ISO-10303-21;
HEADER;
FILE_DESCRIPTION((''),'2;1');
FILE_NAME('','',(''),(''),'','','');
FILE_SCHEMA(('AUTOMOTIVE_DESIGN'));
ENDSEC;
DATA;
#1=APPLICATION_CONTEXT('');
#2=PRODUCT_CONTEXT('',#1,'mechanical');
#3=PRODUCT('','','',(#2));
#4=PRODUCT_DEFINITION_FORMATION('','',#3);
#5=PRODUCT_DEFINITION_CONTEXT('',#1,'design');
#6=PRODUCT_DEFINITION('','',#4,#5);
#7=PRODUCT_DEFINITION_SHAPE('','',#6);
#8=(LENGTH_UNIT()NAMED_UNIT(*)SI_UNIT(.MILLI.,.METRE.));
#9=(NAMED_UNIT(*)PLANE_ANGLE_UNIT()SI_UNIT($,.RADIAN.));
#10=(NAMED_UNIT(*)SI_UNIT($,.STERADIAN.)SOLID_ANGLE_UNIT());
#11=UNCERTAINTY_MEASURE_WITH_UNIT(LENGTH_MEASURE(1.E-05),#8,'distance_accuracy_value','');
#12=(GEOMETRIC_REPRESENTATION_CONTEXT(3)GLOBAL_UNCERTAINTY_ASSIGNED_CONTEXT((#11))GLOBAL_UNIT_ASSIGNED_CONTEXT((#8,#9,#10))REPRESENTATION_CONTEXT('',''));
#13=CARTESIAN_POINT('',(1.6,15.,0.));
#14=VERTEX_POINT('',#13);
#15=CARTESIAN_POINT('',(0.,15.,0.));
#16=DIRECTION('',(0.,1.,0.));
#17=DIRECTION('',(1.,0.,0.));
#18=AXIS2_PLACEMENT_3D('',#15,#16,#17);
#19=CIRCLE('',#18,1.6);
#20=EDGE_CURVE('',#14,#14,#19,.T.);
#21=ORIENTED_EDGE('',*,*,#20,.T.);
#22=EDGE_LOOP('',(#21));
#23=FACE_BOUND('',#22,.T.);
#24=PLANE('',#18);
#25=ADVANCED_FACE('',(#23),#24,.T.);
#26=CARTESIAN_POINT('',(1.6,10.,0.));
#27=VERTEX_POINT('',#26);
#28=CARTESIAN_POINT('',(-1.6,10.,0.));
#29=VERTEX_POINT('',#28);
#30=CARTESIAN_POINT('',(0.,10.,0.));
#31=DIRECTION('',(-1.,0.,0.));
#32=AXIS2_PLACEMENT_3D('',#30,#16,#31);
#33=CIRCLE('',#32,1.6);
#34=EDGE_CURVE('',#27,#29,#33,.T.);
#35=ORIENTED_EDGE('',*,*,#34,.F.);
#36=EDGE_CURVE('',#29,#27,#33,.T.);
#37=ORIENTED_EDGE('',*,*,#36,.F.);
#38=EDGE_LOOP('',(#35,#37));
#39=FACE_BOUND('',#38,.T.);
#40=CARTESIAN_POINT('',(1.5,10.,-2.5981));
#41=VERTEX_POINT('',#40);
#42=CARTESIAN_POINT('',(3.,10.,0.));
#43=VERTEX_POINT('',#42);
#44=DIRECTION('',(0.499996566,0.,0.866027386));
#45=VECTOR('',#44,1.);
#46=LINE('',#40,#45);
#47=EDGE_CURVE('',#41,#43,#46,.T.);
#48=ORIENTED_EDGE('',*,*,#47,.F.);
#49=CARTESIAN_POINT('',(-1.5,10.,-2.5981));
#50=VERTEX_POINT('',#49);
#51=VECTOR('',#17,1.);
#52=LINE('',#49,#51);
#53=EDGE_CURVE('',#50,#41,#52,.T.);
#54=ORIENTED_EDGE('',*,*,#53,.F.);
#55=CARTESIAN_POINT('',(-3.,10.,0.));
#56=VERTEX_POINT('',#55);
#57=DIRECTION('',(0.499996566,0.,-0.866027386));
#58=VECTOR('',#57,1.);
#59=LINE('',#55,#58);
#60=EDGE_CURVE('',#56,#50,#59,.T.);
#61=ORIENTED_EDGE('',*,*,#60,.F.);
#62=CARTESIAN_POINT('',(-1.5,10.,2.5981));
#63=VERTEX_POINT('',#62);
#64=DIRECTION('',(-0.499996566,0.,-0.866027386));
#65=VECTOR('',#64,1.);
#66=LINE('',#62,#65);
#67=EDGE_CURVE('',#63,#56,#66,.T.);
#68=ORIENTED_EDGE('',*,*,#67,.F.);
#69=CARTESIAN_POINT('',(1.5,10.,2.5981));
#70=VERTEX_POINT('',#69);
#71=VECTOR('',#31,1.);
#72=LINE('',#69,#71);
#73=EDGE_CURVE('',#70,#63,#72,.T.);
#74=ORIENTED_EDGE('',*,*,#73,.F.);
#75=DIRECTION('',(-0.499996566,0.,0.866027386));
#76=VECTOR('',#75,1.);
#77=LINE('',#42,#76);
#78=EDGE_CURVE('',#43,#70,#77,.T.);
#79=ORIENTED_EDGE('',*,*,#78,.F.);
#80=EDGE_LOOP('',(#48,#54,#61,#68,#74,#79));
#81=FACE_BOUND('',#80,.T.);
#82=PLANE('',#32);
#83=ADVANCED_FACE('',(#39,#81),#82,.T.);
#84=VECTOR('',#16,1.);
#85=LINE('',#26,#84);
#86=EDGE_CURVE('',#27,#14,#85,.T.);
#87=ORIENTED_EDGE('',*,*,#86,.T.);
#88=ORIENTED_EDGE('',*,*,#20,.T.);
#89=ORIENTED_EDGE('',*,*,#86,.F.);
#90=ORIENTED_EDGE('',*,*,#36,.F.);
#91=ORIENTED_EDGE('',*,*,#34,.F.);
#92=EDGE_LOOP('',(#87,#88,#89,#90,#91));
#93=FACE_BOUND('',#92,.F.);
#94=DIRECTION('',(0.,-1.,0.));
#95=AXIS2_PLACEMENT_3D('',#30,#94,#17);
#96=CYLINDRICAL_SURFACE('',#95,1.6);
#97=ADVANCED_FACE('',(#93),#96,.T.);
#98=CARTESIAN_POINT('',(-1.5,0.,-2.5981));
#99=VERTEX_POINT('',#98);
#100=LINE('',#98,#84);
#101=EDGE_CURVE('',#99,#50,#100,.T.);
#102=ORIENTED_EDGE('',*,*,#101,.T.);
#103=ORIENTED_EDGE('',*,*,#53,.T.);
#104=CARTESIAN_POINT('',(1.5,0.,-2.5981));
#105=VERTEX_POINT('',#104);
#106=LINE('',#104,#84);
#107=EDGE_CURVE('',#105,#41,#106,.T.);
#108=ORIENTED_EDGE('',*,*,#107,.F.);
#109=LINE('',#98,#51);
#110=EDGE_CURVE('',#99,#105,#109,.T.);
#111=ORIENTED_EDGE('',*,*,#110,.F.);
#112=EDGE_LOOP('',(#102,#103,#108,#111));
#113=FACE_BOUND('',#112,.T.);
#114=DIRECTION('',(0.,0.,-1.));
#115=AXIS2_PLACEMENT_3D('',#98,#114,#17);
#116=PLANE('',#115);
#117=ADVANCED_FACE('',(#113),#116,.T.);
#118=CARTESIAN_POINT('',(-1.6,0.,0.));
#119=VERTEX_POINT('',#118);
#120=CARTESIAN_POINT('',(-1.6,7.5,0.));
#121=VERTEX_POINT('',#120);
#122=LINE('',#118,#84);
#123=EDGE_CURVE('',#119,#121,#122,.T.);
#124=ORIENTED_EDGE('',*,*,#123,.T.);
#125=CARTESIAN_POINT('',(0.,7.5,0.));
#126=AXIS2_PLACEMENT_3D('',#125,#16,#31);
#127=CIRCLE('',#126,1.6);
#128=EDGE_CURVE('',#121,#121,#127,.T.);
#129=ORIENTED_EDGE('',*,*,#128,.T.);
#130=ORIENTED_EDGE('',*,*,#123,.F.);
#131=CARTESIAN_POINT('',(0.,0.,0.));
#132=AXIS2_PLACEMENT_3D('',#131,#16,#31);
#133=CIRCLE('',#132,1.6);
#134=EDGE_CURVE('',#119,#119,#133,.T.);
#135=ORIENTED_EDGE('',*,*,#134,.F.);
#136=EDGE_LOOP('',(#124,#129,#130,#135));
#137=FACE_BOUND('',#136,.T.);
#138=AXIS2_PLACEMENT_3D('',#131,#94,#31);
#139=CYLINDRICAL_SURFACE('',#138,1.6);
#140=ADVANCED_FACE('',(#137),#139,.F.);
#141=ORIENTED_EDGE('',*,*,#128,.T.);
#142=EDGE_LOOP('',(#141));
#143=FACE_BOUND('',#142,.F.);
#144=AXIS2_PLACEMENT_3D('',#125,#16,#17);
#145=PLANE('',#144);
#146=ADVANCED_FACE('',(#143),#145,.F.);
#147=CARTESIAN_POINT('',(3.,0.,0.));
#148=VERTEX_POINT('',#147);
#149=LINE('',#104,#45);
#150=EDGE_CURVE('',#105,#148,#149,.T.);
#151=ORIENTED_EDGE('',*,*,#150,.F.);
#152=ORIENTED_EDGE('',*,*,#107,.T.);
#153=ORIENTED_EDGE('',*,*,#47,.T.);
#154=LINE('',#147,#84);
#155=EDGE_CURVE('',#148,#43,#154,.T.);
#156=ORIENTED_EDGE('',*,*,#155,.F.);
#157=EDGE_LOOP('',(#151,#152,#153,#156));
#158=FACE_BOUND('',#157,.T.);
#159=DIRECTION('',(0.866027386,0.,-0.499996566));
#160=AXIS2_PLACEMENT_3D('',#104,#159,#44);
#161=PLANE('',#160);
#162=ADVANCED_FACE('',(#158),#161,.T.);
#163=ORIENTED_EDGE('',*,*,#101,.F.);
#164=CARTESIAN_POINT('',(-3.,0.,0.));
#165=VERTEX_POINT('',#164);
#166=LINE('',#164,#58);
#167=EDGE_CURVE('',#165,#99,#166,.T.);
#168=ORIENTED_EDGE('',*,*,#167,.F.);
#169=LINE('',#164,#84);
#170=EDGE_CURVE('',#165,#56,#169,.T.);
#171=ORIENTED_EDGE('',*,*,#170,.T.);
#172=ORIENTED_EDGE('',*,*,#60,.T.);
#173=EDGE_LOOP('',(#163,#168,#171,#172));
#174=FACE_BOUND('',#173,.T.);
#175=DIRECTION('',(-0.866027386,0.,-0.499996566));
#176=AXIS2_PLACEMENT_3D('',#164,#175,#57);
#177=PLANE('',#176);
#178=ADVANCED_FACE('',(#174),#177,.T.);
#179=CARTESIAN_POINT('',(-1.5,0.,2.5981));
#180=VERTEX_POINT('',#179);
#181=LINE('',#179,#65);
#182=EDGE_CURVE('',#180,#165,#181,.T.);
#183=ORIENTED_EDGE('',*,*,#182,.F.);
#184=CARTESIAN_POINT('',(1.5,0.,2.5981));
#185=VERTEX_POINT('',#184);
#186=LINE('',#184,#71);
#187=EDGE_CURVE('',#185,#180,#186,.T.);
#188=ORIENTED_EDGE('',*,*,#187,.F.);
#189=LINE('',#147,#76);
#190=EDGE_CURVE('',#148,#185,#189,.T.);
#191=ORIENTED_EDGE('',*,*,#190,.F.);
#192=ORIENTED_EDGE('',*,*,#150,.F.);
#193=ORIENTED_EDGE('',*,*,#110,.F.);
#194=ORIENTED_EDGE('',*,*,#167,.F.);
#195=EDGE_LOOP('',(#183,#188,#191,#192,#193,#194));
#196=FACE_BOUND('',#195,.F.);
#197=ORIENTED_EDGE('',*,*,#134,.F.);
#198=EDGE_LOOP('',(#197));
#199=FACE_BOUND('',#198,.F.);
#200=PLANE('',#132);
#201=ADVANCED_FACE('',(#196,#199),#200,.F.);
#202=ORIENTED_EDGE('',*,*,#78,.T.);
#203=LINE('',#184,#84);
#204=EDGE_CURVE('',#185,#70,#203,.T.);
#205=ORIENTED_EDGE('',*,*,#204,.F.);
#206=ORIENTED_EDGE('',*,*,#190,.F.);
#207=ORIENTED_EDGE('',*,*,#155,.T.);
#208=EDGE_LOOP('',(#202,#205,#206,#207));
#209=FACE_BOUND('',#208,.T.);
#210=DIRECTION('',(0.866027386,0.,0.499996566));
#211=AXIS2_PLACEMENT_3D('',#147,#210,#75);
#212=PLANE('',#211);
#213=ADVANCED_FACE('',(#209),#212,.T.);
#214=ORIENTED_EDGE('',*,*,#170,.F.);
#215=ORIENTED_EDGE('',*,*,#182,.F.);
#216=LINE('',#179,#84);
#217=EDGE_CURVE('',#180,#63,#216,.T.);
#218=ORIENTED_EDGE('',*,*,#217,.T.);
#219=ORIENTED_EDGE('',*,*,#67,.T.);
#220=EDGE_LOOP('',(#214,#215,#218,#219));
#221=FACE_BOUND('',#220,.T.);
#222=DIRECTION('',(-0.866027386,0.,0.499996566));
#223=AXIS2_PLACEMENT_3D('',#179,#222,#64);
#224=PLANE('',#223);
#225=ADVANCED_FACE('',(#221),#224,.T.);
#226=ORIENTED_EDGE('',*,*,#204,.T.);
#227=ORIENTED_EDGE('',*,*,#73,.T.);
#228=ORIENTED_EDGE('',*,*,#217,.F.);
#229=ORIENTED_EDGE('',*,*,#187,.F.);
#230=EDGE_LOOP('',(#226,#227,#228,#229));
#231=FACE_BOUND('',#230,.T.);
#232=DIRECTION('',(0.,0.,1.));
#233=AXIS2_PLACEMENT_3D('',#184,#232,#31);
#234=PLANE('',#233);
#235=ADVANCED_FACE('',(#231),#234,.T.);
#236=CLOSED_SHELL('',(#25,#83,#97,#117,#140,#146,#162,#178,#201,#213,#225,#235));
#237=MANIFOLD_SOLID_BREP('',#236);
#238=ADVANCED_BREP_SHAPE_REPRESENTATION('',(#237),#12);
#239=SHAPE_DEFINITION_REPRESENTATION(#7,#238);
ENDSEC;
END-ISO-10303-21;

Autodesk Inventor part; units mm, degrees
ref_plane "YZ Plane" through (0, 0, 0) normal (1, 0, 0) x (0, 1, 0)
ref_plane "XZ Plane" through (0, 0, 0) normal (0, 1, 0) x (-1, 0, 0)
ref_plane "XY Plane" through (0, 0, 0) normal (0, 0, 1) x (1, 0, 0)
sketch "Sketch1" plane through (0, 0, 0) normal (0, 1, 0) x (-1, 0, 0)
  circle A0 centre (0, 0) radius 1.6
  line L0 (0, 0) -> (3, 0)
  line L1 (3, 0) -> (1.5, -2.5981)
  line L2 (1.5, -2.5981) -> (-1.5, -2.5981)
  line L3 (-1.5, -2.5981) -> (-3, 0)
  line L4 (-3, 0) -> (-1.5, 2.5981)
  line L5 (-1.5, 2.5981) -> (1.5, 2.5981)
  line L6 (1.5, 2.5981) -> (3, 0)
  dimension "d0" = 3.2
  dimension "d1" = 3
extrude "Extrusion1" add sketch "Sketch1" along normal blind 10
sketch "Sketch2" plane through (0, 10, 0) normal (0, 1, 0) x (1, 0, 0)
  circle A0 centre (0, 0) radius 1.6 projected
extrude "Extrusion2" add sketch "Sketch2" along normal blind 5 and the other way blind 2.5
properties part number "10mmStandOff"
